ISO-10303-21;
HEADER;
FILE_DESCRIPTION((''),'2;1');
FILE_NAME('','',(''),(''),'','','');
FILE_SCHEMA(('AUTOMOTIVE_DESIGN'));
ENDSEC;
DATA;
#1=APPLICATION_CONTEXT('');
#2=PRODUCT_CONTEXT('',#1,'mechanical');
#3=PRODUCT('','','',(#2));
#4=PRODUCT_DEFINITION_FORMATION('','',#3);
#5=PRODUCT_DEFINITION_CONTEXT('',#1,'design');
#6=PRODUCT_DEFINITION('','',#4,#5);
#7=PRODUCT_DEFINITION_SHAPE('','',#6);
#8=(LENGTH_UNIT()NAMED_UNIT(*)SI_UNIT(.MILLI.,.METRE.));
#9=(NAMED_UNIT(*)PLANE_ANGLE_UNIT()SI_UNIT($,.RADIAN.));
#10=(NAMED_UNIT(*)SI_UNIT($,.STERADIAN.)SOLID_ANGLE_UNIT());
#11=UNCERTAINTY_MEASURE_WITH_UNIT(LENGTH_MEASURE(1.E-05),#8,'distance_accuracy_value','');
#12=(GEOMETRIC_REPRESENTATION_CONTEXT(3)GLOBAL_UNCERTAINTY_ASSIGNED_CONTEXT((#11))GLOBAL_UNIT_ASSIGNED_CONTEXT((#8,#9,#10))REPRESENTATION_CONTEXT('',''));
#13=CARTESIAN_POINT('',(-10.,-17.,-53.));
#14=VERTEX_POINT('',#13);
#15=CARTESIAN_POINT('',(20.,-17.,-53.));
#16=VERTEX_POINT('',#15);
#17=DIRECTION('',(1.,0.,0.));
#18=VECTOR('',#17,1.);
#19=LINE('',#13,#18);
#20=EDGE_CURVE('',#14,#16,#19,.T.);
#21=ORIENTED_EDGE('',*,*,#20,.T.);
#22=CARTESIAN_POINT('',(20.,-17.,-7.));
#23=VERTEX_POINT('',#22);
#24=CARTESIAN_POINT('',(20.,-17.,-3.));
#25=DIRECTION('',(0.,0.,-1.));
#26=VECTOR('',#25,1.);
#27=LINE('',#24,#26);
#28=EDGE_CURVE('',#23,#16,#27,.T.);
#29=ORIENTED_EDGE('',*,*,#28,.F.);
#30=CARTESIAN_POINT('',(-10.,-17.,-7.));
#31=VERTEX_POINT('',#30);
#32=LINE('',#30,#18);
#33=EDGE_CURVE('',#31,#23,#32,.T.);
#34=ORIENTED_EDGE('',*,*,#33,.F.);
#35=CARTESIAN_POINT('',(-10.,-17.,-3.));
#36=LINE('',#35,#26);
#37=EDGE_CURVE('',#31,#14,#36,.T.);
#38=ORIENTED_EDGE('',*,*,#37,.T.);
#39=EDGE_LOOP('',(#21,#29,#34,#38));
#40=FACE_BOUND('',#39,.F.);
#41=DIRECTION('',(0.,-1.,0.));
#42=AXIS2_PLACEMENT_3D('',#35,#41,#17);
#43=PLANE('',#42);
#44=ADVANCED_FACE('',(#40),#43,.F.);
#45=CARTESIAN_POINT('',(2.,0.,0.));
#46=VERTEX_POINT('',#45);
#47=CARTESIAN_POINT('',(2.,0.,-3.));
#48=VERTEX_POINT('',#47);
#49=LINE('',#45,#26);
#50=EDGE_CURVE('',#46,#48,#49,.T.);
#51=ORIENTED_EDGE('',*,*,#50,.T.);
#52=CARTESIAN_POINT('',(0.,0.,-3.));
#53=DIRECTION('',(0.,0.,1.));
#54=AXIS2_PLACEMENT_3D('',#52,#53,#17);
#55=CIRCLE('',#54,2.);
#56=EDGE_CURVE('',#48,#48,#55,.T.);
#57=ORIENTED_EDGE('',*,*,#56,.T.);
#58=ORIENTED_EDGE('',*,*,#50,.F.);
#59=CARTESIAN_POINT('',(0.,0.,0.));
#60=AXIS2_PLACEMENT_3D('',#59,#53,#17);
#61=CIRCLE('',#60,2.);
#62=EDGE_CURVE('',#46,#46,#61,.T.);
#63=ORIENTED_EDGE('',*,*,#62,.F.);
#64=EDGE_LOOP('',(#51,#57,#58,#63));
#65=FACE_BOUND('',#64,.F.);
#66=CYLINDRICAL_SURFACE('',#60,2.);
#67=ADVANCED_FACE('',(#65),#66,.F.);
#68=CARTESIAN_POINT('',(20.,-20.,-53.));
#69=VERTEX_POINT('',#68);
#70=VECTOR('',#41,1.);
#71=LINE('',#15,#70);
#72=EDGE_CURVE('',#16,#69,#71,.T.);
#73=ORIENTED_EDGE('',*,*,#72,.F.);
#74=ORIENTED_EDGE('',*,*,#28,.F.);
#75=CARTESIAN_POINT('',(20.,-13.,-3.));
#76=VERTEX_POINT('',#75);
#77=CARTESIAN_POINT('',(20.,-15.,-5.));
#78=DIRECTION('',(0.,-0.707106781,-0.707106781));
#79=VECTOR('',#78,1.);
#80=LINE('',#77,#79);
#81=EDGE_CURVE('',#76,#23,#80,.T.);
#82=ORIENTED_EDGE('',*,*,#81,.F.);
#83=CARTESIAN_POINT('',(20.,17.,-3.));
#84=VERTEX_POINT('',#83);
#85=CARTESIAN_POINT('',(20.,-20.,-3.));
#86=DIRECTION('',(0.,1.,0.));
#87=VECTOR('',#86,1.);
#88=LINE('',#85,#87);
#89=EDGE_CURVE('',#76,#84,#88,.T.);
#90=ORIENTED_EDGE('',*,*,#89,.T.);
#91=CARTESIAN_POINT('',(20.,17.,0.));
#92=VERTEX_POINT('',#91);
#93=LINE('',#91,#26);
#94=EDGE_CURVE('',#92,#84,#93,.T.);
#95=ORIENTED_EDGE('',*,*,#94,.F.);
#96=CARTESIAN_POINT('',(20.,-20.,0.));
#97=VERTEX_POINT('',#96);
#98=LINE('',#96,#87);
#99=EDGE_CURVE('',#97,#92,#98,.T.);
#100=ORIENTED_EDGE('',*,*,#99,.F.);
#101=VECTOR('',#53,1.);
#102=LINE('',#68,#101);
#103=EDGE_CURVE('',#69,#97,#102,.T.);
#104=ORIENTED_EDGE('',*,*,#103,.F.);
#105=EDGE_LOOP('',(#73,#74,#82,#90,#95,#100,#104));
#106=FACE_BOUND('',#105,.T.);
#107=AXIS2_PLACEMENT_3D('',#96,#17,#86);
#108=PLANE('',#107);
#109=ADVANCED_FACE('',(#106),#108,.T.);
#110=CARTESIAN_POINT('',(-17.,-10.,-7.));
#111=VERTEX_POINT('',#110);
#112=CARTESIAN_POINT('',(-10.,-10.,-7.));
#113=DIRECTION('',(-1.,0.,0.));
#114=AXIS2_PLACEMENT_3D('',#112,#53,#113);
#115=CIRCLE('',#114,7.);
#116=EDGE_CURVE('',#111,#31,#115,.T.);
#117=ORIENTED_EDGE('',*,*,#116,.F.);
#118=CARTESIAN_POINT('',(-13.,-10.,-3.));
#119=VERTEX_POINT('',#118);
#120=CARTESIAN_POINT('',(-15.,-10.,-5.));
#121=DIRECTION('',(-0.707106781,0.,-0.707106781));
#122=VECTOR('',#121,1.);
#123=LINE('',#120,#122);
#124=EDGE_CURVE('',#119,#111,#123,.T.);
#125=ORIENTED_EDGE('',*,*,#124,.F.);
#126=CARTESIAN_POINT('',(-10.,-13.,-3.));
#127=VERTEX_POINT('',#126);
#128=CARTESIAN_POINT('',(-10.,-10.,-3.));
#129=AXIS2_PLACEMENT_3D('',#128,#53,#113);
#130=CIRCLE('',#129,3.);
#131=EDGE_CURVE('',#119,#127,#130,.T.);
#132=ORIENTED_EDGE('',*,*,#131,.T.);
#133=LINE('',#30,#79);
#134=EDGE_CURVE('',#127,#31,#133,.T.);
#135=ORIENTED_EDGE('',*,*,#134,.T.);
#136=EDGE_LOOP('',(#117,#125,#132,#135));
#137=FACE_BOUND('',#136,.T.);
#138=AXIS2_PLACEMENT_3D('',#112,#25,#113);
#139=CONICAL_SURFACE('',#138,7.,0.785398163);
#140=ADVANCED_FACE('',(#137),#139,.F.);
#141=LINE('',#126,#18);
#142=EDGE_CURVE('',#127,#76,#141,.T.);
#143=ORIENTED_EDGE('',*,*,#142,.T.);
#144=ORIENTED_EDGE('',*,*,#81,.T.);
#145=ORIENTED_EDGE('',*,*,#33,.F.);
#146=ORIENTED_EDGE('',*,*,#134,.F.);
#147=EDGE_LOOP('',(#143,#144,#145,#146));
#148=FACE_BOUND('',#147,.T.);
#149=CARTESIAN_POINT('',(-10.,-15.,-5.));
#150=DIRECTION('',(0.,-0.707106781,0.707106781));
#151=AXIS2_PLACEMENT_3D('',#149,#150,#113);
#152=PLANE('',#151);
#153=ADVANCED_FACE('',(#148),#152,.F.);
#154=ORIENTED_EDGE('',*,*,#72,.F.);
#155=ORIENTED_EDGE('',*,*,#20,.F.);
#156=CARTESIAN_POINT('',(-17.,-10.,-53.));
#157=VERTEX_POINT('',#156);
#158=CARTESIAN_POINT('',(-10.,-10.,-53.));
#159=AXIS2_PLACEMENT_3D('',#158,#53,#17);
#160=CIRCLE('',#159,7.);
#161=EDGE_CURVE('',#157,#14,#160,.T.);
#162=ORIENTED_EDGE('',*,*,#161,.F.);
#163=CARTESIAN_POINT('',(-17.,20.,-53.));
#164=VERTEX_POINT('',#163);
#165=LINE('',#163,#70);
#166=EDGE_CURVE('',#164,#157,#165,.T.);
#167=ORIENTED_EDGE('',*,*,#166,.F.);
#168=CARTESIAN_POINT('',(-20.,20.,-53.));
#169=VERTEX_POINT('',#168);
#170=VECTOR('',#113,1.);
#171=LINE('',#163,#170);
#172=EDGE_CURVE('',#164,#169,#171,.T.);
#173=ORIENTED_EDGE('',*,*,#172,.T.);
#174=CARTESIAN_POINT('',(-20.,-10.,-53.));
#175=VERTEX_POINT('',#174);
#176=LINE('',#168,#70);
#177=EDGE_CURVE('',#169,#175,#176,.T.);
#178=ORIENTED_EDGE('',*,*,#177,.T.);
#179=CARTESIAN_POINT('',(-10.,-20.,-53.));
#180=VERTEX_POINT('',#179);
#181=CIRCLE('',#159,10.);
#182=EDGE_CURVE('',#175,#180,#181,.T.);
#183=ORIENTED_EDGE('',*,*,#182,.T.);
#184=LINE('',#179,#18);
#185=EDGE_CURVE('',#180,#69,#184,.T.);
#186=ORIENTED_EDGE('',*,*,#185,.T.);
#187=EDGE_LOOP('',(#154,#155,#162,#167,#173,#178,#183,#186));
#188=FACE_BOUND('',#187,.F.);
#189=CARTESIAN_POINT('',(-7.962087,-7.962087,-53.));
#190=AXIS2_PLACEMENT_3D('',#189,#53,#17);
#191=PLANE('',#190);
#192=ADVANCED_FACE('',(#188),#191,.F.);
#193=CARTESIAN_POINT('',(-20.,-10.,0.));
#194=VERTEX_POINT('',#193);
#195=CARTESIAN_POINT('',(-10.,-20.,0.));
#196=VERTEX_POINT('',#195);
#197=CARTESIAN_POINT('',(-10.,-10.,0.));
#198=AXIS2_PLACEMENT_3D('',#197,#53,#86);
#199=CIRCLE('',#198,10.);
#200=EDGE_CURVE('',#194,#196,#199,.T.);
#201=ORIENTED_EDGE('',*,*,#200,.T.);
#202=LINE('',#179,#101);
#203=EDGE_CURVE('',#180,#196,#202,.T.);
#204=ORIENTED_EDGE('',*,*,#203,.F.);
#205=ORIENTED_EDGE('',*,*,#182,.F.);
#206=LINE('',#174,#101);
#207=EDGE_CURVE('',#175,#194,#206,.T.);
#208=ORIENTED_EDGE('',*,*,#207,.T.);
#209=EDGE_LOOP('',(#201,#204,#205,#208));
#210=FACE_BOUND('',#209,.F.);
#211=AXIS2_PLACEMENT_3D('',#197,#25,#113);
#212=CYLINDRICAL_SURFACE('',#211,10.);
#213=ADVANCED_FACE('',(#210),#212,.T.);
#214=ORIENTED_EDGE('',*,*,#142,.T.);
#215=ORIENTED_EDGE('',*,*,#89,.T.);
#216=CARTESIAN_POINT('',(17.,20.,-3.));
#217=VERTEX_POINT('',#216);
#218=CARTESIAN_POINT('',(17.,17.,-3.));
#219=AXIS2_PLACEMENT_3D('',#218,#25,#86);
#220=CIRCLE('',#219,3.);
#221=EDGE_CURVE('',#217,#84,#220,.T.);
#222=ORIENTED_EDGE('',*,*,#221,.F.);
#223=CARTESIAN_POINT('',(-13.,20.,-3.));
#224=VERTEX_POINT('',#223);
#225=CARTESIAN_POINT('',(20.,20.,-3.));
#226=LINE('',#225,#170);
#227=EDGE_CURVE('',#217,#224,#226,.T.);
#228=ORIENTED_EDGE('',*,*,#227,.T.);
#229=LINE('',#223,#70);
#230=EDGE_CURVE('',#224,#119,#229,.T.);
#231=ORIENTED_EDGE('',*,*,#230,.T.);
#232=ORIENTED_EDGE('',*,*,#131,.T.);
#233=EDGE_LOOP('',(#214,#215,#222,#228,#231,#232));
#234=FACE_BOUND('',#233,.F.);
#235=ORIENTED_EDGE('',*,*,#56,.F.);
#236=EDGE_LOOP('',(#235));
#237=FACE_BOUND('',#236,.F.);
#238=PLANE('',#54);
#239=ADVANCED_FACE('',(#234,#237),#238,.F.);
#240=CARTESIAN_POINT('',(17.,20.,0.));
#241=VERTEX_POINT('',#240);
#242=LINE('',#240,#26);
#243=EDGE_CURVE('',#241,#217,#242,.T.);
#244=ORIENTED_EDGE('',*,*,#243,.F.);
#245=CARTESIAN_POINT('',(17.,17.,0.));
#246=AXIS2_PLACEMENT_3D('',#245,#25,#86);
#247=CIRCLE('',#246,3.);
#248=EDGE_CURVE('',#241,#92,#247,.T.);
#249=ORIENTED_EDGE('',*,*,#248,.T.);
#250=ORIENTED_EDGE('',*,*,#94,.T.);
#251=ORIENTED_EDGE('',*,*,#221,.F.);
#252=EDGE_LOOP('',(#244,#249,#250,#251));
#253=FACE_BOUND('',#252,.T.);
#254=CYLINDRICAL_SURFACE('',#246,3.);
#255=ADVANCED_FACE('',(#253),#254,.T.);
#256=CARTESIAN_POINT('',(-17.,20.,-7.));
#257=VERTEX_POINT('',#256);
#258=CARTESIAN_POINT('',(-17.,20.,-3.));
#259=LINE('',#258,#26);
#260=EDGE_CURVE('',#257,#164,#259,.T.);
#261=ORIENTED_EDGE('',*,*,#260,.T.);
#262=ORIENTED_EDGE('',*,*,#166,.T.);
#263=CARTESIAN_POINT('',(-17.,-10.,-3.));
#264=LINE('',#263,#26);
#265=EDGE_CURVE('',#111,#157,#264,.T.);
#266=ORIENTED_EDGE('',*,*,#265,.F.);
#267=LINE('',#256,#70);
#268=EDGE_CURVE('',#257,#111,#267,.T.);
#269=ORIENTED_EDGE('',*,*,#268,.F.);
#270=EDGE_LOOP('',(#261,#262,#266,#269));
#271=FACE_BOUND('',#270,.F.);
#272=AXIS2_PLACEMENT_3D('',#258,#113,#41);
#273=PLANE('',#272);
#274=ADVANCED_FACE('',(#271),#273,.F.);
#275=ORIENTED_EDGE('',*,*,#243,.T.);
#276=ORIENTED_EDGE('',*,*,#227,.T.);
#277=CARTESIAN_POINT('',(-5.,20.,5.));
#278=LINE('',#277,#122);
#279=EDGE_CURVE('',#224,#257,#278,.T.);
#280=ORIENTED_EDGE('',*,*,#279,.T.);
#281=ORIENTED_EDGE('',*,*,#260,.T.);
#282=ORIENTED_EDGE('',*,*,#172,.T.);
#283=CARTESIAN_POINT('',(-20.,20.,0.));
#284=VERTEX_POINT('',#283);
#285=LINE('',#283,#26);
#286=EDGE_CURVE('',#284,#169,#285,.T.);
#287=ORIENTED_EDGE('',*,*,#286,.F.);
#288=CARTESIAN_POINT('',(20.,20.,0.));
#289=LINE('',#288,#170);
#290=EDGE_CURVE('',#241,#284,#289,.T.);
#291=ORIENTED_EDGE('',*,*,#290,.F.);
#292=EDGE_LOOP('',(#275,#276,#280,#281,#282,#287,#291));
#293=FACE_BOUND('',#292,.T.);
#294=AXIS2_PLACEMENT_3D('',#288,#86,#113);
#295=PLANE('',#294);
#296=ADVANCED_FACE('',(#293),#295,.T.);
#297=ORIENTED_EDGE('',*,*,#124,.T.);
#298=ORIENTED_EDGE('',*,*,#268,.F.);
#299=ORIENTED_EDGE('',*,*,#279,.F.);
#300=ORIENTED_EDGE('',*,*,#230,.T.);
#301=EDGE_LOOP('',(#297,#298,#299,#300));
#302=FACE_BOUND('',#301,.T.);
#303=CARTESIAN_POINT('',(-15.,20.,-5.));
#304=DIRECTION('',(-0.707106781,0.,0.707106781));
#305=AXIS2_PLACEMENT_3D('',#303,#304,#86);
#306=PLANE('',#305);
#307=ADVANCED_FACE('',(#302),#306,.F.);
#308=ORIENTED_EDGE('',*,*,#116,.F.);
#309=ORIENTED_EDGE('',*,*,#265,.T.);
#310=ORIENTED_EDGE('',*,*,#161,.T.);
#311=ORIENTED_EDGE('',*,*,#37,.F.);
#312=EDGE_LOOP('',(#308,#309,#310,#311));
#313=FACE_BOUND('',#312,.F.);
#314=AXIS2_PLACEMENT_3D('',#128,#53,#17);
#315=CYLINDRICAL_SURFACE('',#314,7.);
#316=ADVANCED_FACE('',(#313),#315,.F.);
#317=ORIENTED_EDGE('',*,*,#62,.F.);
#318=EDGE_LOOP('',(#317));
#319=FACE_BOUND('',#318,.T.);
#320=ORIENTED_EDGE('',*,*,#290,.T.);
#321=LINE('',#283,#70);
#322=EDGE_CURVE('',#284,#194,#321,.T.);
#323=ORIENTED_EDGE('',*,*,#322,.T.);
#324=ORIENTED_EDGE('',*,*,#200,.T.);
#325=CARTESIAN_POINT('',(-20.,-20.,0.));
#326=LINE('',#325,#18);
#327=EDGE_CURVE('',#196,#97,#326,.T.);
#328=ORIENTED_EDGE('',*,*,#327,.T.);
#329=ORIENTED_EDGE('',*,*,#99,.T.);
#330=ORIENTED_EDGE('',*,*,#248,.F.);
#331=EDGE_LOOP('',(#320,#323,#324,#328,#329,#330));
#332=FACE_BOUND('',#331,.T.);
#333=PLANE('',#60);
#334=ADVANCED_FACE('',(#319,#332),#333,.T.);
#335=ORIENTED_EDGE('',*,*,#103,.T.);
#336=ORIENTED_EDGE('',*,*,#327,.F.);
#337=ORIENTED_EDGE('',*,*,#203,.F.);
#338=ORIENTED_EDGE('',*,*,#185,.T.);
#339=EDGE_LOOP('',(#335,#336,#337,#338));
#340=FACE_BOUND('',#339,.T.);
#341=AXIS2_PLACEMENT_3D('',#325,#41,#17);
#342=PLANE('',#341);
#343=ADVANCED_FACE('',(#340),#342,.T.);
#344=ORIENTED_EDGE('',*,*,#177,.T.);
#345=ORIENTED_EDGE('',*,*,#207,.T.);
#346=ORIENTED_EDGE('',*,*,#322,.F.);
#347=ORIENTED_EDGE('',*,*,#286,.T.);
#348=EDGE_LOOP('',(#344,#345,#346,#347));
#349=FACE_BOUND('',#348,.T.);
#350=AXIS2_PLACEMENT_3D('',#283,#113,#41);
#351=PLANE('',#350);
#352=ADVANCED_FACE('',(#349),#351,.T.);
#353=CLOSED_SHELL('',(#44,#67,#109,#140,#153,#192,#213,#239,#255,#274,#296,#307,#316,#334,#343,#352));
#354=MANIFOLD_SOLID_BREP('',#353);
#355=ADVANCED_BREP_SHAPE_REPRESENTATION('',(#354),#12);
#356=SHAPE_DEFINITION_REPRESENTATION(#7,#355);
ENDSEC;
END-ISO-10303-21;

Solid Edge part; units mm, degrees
sketch "Sketch1" plane through (0, 0, 0) normal (0, 0, 1) x (1, 0, 0)
  circle A0 centre (0, 0) radius 2
  line L0 (-20, 20) -> (-20, -20)
  line L1 (-20, -20) -> (20, -20)
  line L2 (20, -20) -> (20, 20)
  line L3 (20, 20) -> (-20, 20)
  dimension "D1" = 40
  dimension "D2" = 40
  dimension "D3" = 4
extrude "Protrusion1" add sketch "Sketch1" against normal blind 3
fillet "Redondeo_1" radius 10 1 edges at (-20, -20, -1.5)
sketch "Sketch2" plane through (0, 0, -3) normal (0, 0, -1) x (1, 0, 0)
  line L0 (-17, -20) -> (-20, -20)
  line L1 (-20, -20) -> (-20, 10)
  arc A0 (-20, 10) -> (-10, 20) centre (-10, 10) cw
  line L2 (-10, 20) -> (20, 20)
  line L3 (20, 17) -> (20, 20)
  line L4 (-10, 17) -> (20, 17)
  arc A1 (-17, 10) -> (-10, 17) centre (-10, 10) cw
  line L5 (-17, -20) -> (-17, 10)
extrude "ProtrusiónExtruida_2" add sketch "Sketch2" along normal blind 50
chamfer "Chaflán_1" distance 4 angle 45 3 edges at (5, -17, -3) (-14.9497, -14.9497, -3) (-17, 5, -3)
fillet "Redondeo_2" radius 3 1 edges at (20, 20, -1.5)
